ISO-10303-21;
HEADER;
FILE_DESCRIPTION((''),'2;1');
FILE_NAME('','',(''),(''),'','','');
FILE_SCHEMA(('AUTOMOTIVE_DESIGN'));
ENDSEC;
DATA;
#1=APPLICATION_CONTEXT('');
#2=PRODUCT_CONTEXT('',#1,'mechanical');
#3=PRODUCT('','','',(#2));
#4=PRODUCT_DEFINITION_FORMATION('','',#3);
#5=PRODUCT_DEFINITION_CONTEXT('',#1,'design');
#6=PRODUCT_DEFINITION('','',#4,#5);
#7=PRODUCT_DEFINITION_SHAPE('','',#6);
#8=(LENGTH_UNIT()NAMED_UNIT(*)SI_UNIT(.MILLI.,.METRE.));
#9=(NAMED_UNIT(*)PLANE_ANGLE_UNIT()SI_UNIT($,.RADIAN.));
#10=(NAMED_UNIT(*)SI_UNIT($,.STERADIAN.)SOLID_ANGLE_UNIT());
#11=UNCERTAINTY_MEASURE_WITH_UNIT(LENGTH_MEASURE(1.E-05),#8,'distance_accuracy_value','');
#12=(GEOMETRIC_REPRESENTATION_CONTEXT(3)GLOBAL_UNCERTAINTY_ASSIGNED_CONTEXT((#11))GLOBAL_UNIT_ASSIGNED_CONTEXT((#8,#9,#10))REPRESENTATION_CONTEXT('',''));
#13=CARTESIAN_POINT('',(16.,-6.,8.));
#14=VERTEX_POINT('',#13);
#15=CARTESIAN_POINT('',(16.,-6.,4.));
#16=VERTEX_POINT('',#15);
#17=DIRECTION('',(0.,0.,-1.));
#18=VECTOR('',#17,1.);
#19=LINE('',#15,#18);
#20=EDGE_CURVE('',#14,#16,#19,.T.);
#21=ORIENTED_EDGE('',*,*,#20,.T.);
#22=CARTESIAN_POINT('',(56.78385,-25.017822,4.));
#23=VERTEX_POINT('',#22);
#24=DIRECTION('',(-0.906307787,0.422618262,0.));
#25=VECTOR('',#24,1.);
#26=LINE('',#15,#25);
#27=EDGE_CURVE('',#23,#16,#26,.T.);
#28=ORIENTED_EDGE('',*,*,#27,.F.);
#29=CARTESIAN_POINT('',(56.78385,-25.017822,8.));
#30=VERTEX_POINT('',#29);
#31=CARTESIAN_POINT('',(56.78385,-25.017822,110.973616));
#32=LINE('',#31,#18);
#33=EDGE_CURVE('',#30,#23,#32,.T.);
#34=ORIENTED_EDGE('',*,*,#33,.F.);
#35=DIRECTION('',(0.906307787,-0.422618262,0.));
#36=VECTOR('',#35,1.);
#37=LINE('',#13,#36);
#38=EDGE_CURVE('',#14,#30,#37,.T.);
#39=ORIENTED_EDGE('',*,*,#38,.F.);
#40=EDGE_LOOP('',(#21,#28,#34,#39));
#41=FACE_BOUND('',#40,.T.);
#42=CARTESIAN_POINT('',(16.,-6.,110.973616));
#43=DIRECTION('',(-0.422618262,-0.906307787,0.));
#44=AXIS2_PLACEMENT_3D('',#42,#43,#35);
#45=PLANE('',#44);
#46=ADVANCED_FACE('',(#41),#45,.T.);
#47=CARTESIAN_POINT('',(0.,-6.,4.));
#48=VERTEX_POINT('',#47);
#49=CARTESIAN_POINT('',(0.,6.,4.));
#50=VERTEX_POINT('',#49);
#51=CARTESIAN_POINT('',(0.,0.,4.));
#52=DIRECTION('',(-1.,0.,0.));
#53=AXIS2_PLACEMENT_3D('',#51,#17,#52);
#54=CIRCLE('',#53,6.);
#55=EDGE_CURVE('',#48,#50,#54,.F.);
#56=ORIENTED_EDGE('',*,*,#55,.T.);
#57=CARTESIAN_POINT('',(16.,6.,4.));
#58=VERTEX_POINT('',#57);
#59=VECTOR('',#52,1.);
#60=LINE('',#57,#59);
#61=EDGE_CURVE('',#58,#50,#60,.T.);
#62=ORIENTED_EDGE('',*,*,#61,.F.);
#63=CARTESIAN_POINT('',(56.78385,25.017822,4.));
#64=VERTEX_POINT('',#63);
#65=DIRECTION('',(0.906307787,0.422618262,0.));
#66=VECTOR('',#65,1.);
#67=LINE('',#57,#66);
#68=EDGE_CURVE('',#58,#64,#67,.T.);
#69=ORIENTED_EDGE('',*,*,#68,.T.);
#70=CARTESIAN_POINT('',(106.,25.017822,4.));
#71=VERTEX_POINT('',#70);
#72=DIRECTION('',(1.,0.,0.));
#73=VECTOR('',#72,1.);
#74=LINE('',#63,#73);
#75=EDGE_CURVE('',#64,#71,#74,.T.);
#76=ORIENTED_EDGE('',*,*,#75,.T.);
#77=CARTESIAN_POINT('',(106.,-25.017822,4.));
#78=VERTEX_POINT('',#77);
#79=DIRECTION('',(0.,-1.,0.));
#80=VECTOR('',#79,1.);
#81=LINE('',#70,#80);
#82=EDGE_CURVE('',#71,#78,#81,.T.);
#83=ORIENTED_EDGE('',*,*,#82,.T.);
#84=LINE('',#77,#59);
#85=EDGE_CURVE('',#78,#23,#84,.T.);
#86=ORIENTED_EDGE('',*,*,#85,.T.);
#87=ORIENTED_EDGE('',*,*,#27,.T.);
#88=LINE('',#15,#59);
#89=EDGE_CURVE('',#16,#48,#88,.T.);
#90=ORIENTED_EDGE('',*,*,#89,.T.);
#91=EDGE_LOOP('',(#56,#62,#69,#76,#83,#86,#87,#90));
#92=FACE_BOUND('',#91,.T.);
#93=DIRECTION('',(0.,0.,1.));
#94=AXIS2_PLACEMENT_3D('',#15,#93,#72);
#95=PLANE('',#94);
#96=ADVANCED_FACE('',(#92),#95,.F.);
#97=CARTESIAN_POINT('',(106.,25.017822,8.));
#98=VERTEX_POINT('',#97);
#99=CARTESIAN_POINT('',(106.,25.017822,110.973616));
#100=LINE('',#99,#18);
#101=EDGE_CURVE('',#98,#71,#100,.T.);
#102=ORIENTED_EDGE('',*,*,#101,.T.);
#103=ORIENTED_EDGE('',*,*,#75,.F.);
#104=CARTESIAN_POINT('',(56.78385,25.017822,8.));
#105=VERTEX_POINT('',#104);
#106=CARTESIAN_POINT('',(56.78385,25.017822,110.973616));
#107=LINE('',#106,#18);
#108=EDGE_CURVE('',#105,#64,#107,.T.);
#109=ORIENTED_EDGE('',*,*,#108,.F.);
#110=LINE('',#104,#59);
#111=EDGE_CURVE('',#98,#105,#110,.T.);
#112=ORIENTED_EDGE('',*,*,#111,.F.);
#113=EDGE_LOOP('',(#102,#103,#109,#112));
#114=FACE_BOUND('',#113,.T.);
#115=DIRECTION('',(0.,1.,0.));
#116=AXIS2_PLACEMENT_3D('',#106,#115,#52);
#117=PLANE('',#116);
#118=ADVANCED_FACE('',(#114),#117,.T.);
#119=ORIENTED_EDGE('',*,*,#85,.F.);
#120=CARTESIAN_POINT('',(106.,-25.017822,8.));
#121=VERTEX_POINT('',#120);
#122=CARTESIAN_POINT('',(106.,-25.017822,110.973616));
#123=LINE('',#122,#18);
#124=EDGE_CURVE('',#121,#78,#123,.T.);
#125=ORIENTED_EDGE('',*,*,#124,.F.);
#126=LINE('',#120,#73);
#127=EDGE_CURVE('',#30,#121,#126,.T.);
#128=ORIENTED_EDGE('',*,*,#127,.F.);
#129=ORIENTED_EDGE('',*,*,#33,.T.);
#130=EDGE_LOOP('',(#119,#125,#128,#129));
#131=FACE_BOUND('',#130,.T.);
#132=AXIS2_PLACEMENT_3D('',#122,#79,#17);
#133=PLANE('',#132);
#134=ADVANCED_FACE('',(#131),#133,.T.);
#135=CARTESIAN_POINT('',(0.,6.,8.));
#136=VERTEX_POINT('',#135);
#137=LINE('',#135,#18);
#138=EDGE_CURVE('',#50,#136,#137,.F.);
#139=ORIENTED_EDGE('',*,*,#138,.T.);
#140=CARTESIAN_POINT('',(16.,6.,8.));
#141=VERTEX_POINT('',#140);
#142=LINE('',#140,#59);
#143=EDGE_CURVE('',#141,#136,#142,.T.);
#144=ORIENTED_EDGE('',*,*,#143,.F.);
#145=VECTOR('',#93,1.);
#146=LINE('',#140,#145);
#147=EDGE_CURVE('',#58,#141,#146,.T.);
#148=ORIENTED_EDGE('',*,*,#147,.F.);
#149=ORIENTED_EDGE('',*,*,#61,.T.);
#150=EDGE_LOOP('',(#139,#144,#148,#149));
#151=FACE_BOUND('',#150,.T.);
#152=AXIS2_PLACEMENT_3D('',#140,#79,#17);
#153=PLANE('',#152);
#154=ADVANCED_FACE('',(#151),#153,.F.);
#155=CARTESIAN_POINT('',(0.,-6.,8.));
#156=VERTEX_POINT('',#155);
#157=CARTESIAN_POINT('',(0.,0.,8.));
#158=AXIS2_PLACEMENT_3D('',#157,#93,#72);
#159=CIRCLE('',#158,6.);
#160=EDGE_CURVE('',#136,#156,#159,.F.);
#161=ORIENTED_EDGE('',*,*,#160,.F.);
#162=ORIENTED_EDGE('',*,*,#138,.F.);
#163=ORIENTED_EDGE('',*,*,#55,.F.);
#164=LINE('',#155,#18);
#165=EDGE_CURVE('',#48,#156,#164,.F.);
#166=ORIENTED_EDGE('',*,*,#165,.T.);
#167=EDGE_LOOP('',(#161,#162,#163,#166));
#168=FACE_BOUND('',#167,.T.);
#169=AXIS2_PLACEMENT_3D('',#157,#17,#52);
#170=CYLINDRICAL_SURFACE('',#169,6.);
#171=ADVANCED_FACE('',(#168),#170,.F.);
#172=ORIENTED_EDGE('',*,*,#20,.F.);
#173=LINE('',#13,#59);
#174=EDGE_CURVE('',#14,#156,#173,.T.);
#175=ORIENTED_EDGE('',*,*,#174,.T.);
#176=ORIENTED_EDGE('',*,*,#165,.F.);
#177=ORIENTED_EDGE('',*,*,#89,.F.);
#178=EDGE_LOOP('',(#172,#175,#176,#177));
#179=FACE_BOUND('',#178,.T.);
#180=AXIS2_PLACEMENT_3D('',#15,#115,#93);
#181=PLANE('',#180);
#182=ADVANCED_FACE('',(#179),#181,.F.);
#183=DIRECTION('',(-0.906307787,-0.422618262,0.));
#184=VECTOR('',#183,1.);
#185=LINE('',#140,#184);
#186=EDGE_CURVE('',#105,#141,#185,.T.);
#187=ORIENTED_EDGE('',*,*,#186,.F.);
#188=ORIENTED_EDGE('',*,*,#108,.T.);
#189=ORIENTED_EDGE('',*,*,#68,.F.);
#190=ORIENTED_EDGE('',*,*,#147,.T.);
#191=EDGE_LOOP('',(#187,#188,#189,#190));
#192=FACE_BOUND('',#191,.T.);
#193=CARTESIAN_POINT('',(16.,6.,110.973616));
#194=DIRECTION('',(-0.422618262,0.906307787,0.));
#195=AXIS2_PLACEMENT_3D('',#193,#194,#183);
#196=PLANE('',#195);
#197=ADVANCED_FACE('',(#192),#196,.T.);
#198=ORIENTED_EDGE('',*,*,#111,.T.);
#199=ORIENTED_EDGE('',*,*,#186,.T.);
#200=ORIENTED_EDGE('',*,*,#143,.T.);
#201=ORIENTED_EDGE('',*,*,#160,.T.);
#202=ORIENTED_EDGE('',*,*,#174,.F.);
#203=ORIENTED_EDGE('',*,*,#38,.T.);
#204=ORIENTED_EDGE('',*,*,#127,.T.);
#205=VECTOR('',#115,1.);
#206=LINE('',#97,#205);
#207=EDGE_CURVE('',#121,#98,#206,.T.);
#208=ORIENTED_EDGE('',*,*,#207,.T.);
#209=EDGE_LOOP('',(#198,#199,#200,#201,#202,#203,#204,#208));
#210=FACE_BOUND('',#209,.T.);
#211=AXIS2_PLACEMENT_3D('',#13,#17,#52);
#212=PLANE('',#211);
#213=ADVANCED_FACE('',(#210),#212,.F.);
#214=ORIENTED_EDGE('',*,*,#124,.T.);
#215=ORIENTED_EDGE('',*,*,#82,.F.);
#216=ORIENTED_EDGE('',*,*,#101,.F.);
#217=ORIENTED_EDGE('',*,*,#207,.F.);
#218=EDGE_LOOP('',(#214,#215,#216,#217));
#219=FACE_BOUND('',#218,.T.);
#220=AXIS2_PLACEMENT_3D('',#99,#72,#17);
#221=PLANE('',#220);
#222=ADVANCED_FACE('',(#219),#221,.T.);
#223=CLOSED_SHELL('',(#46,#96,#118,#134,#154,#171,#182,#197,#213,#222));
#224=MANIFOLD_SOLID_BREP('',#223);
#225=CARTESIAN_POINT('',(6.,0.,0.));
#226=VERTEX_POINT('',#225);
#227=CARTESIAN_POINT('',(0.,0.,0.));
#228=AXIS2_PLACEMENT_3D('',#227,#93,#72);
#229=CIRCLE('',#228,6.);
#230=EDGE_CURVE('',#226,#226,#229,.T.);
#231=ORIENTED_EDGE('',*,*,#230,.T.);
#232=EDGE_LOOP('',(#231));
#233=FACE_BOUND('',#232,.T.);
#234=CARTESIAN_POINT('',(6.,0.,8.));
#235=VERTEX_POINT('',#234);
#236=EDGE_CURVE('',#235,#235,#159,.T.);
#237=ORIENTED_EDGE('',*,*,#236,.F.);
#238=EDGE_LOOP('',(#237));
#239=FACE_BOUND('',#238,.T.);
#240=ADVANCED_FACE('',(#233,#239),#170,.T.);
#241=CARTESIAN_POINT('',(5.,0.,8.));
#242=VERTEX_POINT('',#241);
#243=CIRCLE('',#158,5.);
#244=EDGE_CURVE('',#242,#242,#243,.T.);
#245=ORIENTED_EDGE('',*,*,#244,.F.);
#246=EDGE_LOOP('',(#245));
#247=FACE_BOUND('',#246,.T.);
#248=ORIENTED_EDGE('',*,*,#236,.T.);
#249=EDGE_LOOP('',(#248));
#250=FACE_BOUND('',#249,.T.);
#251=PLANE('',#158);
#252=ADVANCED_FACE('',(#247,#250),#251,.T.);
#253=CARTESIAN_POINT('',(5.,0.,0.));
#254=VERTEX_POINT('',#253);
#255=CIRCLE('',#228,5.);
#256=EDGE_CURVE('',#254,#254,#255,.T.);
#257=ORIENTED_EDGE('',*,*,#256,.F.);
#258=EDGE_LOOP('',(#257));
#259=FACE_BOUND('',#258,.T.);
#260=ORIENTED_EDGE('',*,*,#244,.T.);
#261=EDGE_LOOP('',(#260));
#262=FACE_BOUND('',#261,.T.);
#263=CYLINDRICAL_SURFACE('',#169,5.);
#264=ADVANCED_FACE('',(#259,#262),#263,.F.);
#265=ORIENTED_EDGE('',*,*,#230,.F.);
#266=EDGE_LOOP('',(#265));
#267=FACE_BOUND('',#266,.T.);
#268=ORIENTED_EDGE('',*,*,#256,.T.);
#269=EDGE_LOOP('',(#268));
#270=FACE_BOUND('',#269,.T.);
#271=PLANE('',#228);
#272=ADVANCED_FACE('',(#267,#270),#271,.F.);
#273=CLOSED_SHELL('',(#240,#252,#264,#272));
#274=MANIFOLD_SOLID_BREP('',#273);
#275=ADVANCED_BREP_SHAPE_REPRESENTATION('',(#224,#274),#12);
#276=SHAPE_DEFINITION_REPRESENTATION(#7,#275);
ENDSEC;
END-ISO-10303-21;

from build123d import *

# Parameters (mm, degrees)
SKETCH2_R                       = 6
SKETCH2_R_2                     = 5
BOSS_EXTRUDE1_DEPTH             = 8
SKETCH3_W                       = 4
SKETCH3_H                       = 12
BOSS_EXTRUDE2_DEPTH             = 10
BOSS_EXTRUDE2_DIRECTION_2_REACH = 17.62
BOSS_EXTRUDE3_DEPTH             = 4


with BuildPart() as part:
    # Sketch2 → Boss-Extrude1 (new body)
    with BuildSketch(Plane.XY):
        Circle(SKETCH2_R)
        Circle(SKETCH2_R_2, mode=Mode.SUBTRACT)
    extrude(amount=BOSS_EXTRUDE1_DEPTH)


with BuildPart() as body_2:
    # Sketch3 → Boss-Extrude2 (new body)
    with BuildSketch(Plane(origin=(6, 0, 0), x_dir=(0, 0, -1), z_dir=(1, 0, 0))):
        with Locations((-6, 0)):
            Rectangle(SKETCH3_W, SKETCH3_H)
    extrude(amount=BOSS_EXTRUDE2_DEPTH)


    # Sketch3 → Boss-Extrude2 direction 2 (add, up to next)
    with BuildSketch(Plane(origin=(6, 0, 0), x_dir=(0, 0, -1), z_dir=(1, 0, 0)), mode=Mode.PRIVATE) as boss_extrude2_direction_2_sk1:
        with Locations((-6, 0)):
            Rectangle(SKETCH3_W, SKETCH3_H)
    boss_extrude2_direction_2_tool1 = extrude(boss_extrude2_direction_2_sk1.sketch, amount=-BOSS_EXTRUDE2_DIRECTION_2_REACH, mode=Mode.PRIVATE) - part.part
    add(boss_extrude2_direction_2_tool1.solids().sort_by_distance((6, 0, 6))[0])
    add(boss_extrude2_direction_2_tool1.solids().sort_by_distance((6, 0, 6))[1])

    # Sketch4 → Boss-Extrude3 (add)
    with BuildSketch(Plane(origin=(0, 0, 4), x_dir=(-1, 0, 0), z_dir=(0, 0, -1))):
        Polygon((-16, 6), (-56.783850417, 25.017821778), (-106, 25.017821778), (-106, -25.017821778), (-56.783850417, -25.017821778), (-16, -6), align=None)
    extrude(amount=-BOSS_EXTRUDE3_DEPTH)


solid = Compound([part.part, body_2.part])
